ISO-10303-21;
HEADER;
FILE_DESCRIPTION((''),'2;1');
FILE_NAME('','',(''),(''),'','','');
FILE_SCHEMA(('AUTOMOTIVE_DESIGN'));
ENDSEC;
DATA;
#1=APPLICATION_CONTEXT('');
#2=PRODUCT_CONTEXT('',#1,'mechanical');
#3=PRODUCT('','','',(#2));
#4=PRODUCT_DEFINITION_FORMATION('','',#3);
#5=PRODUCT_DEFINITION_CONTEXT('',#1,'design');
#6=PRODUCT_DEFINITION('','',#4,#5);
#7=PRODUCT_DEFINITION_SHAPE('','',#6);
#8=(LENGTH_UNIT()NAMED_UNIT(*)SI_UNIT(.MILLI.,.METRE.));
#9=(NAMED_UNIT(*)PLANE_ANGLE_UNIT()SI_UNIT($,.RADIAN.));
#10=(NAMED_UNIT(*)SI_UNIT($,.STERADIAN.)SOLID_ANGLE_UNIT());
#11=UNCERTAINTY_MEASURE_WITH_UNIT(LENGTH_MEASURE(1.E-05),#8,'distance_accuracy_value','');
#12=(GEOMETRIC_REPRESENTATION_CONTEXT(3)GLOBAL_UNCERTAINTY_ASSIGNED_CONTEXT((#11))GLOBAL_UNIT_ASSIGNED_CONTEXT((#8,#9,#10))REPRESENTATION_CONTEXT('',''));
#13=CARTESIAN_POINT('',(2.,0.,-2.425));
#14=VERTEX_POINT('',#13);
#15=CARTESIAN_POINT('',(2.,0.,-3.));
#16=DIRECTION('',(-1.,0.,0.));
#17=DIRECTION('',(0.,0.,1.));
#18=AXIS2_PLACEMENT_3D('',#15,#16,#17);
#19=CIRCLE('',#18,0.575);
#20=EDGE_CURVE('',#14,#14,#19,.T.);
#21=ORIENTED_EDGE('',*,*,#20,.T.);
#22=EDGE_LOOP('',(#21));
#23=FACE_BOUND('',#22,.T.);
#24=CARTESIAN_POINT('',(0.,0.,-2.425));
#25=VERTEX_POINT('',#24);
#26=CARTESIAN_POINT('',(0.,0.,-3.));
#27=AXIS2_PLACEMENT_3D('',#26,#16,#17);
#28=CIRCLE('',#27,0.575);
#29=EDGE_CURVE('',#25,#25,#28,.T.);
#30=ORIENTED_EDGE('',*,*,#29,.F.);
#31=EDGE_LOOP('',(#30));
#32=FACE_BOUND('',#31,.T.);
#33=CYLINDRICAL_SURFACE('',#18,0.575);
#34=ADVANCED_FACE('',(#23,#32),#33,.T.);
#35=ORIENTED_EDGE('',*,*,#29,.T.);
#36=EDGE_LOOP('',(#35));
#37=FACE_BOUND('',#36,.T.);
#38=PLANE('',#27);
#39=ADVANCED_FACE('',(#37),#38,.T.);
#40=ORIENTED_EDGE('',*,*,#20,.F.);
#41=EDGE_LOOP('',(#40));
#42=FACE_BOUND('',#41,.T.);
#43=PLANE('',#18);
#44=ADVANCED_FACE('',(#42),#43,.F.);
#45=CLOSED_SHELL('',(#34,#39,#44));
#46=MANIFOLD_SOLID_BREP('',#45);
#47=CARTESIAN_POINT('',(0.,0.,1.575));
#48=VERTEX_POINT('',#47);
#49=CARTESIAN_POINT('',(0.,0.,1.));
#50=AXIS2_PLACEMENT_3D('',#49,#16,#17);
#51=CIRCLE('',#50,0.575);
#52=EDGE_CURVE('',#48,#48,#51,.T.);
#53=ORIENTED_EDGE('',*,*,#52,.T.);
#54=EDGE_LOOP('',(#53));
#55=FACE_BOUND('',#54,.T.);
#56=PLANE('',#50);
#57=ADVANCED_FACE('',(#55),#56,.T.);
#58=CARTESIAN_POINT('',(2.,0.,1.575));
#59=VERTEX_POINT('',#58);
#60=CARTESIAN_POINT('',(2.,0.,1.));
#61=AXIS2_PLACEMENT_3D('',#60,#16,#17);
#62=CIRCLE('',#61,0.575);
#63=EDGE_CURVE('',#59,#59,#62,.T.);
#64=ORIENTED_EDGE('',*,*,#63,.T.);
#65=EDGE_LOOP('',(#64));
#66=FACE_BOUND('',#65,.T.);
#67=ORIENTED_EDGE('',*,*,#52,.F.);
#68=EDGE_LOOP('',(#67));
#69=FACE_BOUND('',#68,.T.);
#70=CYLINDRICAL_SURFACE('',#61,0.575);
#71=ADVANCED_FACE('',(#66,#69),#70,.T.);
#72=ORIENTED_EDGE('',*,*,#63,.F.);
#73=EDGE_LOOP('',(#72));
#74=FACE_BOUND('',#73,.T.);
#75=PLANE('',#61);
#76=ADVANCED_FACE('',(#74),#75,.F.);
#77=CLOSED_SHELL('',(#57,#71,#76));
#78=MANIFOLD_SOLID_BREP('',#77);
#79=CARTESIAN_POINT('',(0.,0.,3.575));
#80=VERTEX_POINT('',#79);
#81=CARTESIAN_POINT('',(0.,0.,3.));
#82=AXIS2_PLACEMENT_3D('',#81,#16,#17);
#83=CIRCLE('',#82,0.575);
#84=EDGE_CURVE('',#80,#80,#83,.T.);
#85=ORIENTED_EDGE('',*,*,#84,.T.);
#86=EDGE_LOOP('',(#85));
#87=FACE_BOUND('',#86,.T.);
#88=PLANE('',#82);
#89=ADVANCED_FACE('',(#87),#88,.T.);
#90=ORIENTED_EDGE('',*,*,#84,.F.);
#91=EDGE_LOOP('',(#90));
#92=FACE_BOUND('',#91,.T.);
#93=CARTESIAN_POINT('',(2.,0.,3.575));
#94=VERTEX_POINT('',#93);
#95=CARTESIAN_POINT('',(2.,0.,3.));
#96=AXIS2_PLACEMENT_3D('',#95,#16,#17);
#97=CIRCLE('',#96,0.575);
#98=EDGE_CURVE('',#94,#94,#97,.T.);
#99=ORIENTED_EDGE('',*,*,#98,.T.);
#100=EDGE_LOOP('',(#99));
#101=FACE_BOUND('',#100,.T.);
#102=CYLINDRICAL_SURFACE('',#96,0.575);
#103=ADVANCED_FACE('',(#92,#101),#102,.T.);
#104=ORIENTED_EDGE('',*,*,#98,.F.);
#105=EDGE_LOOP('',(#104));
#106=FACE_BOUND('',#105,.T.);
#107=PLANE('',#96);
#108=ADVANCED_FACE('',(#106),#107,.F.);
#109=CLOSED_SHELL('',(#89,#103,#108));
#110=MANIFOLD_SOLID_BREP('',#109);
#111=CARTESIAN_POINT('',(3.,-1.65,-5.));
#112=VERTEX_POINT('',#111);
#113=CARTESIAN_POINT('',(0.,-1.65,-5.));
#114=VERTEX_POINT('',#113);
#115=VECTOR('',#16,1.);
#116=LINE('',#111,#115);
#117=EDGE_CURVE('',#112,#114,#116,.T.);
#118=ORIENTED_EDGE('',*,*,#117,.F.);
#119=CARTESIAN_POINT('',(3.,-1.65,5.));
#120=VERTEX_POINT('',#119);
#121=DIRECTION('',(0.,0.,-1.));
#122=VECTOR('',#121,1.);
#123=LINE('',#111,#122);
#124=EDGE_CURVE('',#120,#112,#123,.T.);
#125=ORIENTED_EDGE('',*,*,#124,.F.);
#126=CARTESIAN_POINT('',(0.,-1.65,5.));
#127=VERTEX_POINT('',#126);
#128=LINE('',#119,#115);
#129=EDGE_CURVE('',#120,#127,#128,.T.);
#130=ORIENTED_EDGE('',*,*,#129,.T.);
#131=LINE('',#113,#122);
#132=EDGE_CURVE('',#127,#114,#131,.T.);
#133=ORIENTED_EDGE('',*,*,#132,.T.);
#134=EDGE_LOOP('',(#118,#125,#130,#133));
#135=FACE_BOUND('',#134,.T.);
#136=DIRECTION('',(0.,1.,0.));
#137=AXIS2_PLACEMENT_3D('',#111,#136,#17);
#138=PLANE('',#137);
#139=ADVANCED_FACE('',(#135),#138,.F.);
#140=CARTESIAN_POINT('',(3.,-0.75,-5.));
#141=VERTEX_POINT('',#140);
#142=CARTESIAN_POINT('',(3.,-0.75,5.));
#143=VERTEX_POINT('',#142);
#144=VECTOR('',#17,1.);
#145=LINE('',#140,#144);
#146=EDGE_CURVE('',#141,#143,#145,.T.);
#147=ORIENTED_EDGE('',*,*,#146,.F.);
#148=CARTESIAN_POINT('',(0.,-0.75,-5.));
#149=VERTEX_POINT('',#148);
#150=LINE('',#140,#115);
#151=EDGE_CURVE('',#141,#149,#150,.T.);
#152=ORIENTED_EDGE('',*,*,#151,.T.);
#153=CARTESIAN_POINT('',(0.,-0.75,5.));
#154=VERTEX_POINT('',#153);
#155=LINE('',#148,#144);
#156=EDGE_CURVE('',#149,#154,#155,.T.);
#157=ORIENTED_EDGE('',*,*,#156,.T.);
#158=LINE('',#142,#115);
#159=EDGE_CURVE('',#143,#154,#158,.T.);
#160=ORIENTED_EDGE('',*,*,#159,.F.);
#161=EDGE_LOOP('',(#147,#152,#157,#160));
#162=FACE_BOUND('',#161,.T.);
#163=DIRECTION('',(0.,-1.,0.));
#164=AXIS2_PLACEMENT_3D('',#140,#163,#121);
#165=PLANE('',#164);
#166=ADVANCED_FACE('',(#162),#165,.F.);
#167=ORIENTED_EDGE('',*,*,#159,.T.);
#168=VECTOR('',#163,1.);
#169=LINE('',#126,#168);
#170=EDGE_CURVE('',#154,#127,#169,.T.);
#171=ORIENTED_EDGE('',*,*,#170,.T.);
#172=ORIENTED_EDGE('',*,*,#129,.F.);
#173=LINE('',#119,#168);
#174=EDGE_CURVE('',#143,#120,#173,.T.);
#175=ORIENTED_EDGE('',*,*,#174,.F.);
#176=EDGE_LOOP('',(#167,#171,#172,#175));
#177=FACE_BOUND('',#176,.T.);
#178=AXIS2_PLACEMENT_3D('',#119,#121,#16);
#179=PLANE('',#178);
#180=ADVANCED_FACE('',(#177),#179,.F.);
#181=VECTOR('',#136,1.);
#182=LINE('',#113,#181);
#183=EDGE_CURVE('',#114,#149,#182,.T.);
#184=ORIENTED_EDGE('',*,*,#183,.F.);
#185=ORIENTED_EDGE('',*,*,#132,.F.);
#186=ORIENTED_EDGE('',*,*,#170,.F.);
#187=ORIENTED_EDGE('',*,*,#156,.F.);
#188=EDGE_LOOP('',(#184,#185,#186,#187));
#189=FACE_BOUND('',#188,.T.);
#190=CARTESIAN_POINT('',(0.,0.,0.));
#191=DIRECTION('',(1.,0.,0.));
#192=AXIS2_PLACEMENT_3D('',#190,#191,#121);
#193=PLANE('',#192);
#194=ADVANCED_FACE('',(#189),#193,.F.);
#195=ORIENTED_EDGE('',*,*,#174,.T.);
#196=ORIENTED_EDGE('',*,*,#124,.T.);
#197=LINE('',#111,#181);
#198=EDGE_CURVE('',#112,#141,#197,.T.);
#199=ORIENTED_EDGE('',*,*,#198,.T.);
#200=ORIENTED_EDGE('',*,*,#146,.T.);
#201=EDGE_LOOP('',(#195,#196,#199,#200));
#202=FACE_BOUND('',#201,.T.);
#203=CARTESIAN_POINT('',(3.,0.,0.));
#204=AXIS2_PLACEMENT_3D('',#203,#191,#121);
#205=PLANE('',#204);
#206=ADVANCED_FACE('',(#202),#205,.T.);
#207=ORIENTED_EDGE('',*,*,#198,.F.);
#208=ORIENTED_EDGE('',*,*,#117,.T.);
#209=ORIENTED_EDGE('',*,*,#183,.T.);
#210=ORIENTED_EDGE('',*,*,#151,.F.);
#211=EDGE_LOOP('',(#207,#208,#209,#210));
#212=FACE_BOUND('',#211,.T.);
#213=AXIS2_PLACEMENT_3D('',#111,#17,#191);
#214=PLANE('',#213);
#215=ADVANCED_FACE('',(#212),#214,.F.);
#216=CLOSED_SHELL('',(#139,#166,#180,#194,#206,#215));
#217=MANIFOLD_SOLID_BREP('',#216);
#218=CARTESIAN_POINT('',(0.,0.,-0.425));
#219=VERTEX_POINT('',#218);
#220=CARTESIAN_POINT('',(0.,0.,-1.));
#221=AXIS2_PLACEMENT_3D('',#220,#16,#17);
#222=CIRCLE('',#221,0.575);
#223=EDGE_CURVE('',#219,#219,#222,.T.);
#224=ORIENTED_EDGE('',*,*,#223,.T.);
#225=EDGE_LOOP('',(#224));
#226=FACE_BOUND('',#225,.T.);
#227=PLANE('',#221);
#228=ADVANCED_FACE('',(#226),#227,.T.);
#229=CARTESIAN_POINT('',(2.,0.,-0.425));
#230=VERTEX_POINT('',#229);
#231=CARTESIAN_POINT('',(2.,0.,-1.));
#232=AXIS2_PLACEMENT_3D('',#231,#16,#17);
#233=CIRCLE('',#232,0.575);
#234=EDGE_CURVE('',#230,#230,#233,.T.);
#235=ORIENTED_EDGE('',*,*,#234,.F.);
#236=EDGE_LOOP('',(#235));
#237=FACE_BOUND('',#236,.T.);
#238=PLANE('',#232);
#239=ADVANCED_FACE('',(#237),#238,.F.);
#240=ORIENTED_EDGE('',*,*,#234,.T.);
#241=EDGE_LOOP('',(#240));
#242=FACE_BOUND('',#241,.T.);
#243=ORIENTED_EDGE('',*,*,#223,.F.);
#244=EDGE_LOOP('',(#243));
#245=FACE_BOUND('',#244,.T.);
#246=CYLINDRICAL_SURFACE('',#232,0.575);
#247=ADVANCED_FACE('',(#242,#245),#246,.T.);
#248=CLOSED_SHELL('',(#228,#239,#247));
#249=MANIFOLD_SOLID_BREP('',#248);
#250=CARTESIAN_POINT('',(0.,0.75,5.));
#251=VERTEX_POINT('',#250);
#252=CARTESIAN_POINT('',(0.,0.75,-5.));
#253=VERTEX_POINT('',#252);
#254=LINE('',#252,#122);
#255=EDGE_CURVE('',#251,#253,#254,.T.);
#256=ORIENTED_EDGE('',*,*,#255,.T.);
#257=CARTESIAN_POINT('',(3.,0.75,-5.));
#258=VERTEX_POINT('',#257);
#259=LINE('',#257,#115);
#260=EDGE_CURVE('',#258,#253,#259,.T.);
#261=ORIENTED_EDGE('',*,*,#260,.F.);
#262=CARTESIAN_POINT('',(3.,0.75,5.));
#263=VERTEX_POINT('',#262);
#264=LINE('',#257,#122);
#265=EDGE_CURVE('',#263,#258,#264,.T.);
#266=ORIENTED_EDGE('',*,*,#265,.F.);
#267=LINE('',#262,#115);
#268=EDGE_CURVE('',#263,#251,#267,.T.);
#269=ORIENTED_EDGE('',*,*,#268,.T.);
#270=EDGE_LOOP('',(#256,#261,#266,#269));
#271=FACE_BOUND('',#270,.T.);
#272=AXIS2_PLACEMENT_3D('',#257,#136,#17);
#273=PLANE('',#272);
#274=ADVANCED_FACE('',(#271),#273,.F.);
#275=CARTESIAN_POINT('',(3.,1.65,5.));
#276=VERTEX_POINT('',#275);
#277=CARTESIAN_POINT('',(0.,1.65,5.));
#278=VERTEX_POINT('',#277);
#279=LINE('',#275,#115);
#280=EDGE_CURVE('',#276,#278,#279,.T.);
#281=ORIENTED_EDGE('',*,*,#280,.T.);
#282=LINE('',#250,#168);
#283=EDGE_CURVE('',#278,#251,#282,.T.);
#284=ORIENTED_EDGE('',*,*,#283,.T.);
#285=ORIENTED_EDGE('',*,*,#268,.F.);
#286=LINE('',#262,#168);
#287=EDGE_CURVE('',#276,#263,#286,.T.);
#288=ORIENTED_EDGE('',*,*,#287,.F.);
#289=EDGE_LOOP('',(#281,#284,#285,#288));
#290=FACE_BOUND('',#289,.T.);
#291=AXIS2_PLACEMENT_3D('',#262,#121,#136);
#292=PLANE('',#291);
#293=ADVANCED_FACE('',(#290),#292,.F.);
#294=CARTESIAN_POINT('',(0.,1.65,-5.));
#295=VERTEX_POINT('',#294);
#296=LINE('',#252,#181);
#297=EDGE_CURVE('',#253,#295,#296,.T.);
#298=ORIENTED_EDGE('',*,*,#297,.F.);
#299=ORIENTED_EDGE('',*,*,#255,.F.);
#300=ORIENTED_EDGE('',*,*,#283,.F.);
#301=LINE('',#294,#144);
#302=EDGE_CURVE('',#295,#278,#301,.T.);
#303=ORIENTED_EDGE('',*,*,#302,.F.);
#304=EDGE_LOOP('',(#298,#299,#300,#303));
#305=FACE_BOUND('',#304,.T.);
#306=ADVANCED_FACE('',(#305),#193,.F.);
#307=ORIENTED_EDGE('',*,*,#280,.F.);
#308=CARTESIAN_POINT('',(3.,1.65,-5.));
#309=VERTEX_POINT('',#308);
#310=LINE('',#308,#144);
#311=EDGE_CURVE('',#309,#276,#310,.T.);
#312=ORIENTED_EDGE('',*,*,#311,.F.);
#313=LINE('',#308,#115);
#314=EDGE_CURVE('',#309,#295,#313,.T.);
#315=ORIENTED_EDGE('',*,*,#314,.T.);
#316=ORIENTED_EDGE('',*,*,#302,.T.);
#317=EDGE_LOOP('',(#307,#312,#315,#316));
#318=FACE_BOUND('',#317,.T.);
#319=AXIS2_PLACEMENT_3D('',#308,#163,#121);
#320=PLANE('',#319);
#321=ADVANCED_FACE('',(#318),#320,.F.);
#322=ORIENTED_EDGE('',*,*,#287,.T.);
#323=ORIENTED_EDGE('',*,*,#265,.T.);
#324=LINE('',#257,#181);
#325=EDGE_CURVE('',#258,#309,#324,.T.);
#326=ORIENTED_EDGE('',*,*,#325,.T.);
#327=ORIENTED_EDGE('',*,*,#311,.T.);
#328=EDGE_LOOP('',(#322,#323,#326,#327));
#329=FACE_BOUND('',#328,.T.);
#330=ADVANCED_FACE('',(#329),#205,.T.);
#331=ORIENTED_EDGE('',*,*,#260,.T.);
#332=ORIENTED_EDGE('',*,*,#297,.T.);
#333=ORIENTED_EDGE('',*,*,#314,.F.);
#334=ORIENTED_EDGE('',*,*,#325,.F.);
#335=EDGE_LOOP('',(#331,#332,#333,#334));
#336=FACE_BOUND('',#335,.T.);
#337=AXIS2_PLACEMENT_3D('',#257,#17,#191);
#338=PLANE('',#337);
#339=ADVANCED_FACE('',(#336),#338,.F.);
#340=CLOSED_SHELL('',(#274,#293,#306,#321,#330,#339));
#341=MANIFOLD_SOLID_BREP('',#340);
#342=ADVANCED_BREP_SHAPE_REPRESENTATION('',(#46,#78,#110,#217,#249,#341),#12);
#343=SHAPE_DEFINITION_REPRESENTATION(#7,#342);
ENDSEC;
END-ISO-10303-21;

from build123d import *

# Parameters (mm, degrees)
SKETCH1_W             = 10
SKETCH1_H             = 0.9
BOSS_EXTRUDE1_DEPTH   = 3
BOSS_EXTRUDE1_2_DEPTH = 3
SKETCH2_R             = 0.575
BOSS_EXTRUDE2_DEPTH   = 2
BOSS_EXTRUDE2_2_DEPTH = 2
BOSS_EXTRUDE2_3_DEPTH = 2
BOSS_EXTRUDE2_4_DEPTH = 2


with BuildPart() as part:
    # Sketch1 → Boss-Extrude1 (new body)
    with BuildSketch(Plane(origin=(0, 0, 0), x_dir=(0, 0, -1), z_dir=(1, 0, 0))):
        with Locations((0, 1.2)):
            Rectangle(SKETCH1_W, SKETCH1_H)
    extrude(amount=BOSS_EXTRUDE1_DEPTH)


with BuildPart() as body_2:
    # Sketch1 → Boss-Extrude1 2 (new body)
    with BuildSketch(Plane(origin=(0, 0, 0), x_dir=(0, 0, -1), z_dir=(1, 0, 0))):
        with Locations((0, -1.2)):
            Rectangle(SKETCH1_W, SKETCH1_H)
    extrude(amount=BOSS_EXTRUDE1_2_DEPTH)


with BuildPart() as body_3:
    # Sketch2 → Boss-Extrude2 (new body)
    with BuildSketch(Plane.ZY):
        with Locations((-3, 0)):
            Circle(SKETCH2_R)
    extrude(amount=-BOSS_EXTRUDE2_DEPTH)


with BuildPart() as body_4:
    # Sketch2 → Boss-Extrude2 2 (new body)
    with BuildSketch(Plane.ZY):
        with Locations((-1, 0)):
            Circle(SKETCH2_R)
    extrude(amount=-BOSS_EXTRUDE2_2_DEPTH)


with BuildPart() as body_5:
    # Sketch2 → Boss-Extrude2 3 (new body)
    with BuildSketch(Plane.ZY):
        with Locations((1, 0)):
            Circle(SKETCH2_R)
    extrude(amount=-BOSS_EXTRUDE2_3_DEPTH)


with BuildPart() as body_6:
    # Sketch2 → Boss-Extrude2 4 (new body)
    with BuildSketch(Plane.ZY):
        with Locations((3, 0)):
            Circle(SKETCH2_R)
    extrude(amount=-BOSS_EXTRUDE2_4_DEPTH)


solid = Compound([part.part, body_2.part, body_3.part, body_4.part, body_5.part, body_6.part])
